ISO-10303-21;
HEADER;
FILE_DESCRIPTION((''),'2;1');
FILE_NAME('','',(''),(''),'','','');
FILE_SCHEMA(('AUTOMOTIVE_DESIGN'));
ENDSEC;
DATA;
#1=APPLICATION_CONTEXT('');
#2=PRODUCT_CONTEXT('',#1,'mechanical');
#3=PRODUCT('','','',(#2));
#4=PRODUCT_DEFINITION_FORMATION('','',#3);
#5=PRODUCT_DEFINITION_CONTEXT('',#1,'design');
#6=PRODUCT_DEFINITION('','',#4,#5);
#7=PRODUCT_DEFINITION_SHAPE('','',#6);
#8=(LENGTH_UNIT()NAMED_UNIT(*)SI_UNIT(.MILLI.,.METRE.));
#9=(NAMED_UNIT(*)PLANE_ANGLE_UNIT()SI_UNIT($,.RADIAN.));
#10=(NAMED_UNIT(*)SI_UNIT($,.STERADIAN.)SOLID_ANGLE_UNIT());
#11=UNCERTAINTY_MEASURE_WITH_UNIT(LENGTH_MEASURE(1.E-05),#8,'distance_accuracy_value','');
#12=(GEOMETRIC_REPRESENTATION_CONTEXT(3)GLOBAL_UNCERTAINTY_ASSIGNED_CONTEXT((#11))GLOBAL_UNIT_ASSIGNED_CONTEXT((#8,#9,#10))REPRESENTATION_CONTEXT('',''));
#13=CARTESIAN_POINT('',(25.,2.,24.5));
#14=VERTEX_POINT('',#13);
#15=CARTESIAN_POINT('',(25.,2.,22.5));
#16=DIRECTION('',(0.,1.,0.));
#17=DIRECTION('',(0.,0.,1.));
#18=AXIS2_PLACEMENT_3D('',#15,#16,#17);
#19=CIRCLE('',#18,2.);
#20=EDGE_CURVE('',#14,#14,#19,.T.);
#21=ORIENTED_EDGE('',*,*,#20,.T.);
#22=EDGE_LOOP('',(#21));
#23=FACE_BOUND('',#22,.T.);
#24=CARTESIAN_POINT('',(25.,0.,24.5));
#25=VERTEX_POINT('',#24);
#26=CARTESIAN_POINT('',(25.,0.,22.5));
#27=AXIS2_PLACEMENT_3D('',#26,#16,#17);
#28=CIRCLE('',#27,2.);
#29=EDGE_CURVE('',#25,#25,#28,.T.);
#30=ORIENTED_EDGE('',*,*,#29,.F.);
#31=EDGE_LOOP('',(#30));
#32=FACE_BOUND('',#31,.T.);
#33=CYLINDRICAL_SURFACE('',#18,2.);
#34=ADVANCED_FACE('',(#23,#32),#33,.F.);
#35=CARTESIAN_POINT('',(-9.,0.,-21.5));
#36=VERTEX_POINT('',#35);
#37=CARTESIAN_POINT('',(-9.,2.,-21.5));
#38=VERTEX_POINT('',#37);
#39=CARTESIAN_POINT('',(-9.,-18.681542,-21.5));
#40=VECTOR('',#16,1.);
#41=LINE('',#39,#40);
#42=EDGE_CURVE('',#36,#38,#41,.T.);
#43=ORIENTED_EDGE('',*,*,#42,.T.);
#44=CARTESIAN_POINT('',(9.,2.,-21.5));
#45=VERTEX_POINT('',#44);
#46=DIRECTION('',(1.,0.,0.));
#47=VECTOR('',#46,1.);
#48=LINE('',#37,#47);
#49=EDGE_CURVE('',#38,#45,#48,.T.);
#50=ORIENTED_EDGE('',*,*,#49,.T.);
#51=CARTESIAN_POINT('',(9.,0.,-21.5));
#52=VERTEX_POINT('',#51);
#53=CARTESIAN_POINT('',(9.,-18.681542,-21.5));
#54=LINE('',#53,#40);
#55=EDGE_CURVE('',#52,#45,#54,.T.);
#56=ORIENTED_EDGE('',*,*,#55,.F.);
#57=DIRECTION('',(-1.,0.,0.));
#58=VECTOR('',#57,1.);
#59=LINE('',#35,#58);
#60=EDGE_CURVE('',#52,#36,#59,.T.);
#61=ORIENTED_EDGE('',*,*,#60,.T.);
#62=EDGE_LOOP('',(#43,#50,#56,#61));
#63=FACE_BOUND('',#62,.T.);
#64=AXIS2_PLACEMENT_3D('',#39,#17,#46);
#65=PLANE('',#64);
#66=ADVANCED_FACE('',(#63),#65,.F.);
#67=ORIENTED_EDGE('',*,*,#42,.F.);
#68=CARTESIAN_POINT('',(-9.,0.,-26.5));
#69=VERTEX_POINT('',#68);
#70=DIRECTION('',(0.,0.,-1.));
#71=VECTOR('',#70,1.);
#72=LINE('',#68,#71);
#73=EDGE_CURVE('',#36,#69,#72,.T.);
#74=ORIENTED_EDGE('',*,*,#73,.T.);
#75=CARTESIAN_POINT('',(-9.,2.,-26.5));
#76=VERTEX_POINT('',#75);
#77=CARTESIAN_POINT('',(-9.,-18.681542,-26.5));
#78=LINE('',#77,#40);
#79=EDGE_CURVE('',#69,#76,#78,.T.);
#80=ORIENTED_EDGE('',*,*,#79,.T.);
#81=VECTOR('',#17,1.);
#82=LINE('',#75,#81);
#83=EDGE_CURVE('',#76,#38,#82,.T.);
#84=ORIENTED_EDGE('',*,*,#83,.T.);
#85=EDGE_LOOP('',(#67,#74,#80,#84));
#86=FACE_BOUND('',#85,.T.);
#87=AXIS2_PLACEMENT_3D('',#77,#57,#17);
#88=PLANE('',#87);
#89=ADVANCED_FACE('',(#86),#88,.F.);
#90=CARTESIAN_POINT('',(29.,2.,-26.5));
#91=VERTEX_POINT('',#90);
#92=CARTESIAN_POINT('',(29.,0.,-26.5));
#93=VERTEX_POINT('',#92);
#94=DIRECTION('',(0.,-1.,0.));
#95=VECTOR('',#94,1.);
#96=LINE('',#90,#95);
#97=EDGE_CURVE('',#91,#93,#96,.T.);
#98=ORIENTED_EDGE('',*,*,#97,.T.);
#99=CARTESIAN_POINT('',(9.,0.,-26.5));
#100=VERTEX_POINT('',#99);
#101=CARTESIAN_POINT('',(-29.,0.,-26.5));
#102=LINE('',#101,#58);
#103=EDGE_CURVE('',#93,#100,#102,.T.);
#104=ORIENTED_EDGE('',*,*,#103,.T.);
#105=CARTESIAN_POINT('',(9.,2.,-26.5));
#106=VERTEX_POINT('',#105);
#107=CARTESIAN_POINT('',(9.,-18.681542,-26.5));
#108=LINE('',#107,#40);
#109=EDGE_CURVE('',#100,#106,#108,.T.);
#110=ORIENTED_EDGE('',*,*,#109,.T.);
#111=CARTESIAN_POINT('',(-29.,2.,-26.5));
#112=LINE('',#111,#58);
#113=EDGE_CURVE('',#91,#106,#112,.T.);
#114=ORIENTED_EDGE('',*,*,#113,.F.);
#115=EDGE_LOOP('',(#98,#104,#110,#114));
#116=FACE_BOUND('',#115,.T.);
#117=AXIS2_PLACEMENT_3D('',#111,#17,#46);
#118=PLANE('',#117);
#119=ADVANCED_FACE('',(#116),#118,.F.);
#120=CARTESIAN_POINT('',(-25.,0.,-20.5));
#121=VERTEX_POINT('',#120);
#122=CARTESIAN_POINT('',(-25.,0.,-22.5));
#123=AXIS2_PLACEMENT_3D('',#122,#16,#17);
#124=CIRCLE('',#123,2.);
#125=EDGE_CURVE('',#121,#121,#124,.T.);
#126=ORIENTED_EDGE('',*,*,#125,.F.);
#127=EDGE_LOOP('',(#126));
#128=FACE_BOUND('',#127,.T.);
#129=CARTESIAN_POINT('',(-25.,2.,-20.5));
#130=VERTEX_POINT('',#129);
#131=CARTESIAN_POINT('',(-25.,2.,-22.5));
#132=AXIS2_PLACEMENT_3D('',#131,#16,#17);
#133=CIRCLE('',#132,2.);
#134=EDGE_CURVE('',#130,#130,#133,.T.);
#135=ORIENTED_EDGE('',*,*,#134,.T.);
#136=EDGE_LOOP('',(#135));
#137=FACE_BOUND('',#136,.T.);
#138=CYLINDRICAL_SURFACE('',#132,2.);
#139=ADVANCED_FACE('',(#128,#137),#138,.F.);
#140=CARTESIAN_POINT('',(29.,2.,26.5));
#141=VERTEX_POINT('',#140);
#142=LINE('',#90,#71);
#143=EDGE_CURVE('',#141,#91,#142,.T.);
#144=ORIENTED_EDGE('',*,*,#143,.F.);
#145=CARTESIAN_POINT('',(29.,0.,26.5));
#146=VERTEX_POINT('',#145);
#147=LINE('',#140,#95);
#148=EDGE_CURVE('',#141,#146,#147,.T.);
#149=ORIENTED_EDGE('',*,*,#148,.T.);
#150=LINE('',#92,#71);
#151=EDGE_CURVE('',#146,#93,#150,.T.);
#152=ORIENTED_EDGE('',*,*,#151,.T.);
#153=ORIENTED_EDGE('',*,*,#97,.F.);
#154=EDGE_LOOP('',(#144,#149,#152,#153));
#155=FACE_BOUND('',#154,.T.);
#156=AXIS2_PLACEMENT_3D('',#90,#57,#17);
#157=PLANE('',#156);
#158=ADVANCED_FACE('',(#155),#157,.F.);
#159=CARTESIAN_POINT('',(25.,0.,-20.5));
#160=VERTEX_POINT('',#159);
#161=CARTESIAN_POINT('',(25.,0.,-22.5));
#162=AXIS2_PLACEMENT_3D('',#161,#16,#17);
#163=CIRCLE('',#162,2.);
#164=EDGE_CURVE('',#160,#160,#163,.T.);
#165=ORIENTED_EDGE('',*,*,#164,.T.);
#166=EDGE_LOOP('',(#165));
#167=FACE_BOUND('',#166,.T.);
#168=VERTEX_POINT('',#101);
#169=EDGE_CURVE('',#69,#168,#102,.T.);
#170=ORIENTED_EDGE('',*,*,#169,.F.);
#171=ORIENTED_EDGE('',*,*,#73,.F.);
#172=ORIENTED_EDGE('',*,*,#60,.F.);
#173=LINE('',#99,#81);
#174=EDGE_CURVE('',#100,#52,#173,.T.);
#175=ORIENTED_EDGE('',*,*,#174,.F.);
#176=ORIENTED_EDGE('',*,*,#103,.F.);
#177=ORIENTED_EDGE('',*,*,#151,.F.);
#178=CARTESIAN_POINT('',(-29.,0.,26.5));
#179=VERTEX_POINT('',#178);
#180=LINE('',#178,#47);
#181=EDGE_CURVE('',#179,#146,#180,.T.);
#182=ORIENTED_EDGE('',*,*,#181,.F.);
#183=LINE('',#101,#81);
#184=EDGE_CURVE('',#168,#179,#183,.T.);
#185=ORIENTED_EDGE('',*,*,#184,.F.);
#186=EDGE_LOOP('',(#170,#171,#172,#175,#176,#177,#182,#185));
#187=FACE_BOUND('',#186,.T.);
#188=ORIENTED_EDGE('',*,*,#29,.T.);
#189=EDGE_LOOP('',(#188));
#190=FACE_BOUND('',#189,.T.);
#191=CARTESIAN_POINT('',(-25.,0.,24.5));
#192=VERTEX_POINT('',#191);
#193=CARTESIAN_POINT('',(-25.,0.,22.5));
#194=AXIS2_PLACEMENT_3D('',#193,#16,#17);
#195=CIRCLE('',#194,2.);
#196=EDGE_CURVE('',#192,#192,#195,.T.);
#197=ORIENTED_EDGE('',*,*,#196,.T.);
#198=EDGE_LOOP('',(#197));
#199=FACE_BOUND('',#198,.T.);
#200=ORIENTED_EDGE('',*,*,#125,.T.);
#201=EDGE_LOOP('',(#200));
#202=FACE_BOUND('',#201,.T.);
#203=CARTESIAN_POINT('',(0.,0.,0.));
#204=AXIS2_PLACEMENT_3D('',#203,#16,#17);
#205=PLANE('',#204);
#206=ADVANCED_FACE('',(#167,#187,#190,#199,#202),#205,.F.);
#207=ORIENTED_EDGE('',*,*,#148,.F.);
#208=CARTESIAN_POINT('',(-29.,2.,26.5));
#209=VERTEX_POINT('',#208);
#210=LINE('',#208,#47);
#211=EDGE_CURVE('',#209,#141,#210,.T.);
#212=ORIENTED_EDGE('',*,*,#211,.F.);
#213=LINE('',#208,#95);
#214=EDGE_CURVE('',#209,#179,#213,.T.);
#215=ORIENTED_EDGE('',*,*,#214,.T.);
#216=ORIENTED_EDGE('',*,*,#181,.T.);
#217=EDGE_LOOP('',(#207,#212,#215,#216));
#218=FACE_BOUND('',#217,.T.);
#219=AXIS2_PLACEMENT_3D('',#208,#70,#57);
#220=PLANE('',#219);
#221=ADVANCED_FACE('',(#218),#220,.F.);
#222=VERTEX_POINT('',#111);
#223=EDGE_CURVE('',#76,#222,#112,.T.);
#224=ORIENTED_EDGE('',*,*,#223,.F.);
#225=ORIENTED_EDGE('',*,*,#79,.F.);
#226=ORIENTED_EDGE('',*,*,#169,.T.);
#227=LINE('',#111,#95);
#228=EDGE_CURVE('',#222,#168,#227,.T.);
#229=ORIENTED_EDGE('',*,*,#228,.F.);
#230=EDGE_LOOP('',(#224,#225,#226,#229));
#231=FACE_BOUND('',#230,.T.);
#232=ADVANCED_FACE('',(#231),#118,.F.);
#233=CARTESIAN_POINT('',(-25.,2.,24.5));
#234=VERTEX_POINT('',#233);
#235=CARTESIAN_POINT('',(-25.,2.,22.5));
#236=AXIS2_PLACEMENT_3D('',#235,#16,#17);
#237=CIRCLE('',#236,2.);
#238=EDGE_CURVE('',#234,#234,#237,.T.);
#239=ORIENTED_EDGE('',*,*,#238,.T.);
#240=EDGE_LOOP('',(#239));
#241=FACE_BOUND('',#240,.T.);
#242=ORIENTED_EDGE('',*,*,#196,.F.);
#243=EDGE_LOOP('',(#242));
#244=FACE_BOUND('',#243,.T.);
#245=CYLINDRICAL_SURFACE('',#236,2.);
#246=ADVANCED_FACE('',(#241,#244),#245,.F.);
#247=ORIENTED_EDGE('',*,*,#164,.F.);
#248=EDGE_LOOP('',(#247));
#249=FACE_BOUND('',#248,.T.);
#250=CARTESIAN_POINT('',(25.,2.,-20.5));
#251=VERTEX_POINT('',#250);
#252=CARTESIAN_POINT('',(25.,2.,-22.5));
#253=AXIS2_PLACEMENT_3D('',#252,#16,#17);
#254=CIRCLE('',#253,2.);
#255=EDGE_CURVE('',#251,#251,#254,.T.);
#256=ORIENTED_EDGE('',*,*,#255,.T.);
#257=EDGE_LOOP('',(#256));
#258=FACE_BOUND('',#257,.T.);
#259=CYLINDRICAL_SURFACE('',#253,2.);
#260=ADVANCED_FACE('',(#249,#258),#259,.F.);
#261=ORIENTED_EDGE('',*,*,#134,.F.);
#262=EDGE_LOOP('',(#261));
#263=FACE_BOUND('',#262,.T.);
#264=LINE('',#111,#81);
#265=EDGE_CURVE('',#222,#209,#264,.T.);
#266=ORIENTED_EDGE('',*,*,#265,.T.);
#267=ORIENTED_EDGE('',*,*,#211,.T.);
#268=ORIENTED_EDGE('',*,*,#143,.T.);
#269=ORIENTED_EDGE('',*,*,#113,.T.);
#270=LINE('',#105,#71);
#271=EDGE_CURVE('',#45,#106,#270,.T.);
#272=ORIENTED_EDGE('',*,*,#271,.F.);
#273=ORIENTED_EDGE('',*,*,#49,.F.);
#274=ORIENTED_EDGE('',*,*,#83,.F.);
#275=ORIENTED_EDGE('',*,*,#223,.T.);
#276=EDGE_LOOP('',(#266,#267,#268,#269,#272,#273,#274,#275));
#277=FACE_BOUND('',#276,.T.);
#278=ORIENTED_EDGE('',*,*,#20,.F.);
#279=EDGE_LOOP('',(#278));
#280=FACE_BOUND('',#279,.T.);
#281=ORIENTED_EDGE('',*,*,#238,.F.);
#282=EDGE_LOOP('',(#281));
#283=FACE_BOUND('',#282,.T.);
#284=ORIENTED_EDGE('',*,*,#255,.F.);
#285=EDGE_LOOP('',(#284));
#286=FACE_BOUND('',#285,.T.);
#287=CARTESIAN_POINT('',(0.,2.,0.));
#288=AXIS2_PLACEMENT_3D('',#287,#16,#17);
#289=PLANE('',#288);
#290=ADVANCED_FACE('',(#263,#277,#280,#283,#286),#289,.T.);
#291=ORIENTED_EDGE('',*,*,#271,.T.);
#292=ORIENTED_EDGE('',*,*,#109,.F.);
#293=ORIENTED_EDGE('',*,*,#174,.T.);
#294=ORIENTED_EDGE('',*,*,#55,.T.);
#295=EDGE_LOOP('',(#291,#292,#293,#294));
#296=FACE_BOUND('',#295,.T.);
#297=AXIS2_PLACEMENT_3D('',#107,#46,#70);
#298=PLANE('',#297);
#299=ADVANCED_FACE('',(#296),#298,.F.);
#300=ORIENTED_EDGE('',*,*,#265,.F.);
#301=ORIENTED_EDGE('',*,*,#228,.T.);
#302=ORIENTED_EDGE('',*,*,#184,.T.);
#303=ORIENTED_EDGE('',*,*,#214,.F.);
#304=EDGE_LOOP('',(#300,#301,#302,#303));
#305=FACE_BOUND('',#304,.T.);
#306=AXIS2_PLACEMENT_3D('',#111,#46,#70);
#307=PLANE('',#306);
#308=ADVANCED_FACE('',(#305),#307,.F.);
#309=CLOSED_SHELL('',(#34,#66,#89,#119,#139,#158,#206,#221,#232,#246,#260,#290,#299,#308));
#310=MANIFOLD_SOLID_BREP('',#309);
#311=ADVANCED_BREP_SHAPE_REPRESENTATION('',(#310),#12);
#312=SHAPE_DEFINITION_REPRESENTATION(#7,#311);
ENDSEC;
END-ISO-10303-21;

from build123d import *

# Parameters (mm, degrees)
SKETCH1_W                 = 58
SKETCH1_H                 = 53
BOSS_EXTRUDE1_DEPTH       = 2
F_4_0MM_DOWEL_HOLE1_D     = 4
F_4_0MM_DOWEL_HOLE1_DEPTH = 2
SKETCH4_W                 = 18
SKETCH4_H                 = 5
CUT_EXTRUDE1_DEPTH        = 2


with BuildPart() as part:
    # Sketch1 → Boss-Extrude1 (new body)
    with BuildSketch(Plane(origin=(0, 0, 0), x_dir=(1, 0, 0), z_dir=(0, 1, 0))):
        Rectangle(SKETCH1_W, SKETCH1_H)
    extrude(amount=BOSS_EXTRUDE1_DEPTH)

    # Ø4.0mm Dowel Hole1
    with Locations(Plane(origin=(0, 2, 0), x_dir=(1, 0, 0), z_dir=(0, 1, 0))):
        with Locations((25, 22.5), (-25, 22.5), (-25, -22.5), (25, -22.5)):
            Hole(F_4_0MM_DOWEL_HOLE1_D / 2, depth=F_4_0MM_DOWEL_HOLE1_DEPTH)

    # Sketch4 → Cut-Extrude1 (cut)
    with BuildSketch(Plane(origin=(0, 2, 0), x_dir=(1, 0, 0), z_dir=(0, 1, 0))):
        with Locations((0, 24)):
            Rectangle(SKETCH4_W, SKETCH4_H)
    extrude(amount=-CUT_EXTRUDE1_DEPTH, mode=Mode.SUBTRACT)


solid = part.part
